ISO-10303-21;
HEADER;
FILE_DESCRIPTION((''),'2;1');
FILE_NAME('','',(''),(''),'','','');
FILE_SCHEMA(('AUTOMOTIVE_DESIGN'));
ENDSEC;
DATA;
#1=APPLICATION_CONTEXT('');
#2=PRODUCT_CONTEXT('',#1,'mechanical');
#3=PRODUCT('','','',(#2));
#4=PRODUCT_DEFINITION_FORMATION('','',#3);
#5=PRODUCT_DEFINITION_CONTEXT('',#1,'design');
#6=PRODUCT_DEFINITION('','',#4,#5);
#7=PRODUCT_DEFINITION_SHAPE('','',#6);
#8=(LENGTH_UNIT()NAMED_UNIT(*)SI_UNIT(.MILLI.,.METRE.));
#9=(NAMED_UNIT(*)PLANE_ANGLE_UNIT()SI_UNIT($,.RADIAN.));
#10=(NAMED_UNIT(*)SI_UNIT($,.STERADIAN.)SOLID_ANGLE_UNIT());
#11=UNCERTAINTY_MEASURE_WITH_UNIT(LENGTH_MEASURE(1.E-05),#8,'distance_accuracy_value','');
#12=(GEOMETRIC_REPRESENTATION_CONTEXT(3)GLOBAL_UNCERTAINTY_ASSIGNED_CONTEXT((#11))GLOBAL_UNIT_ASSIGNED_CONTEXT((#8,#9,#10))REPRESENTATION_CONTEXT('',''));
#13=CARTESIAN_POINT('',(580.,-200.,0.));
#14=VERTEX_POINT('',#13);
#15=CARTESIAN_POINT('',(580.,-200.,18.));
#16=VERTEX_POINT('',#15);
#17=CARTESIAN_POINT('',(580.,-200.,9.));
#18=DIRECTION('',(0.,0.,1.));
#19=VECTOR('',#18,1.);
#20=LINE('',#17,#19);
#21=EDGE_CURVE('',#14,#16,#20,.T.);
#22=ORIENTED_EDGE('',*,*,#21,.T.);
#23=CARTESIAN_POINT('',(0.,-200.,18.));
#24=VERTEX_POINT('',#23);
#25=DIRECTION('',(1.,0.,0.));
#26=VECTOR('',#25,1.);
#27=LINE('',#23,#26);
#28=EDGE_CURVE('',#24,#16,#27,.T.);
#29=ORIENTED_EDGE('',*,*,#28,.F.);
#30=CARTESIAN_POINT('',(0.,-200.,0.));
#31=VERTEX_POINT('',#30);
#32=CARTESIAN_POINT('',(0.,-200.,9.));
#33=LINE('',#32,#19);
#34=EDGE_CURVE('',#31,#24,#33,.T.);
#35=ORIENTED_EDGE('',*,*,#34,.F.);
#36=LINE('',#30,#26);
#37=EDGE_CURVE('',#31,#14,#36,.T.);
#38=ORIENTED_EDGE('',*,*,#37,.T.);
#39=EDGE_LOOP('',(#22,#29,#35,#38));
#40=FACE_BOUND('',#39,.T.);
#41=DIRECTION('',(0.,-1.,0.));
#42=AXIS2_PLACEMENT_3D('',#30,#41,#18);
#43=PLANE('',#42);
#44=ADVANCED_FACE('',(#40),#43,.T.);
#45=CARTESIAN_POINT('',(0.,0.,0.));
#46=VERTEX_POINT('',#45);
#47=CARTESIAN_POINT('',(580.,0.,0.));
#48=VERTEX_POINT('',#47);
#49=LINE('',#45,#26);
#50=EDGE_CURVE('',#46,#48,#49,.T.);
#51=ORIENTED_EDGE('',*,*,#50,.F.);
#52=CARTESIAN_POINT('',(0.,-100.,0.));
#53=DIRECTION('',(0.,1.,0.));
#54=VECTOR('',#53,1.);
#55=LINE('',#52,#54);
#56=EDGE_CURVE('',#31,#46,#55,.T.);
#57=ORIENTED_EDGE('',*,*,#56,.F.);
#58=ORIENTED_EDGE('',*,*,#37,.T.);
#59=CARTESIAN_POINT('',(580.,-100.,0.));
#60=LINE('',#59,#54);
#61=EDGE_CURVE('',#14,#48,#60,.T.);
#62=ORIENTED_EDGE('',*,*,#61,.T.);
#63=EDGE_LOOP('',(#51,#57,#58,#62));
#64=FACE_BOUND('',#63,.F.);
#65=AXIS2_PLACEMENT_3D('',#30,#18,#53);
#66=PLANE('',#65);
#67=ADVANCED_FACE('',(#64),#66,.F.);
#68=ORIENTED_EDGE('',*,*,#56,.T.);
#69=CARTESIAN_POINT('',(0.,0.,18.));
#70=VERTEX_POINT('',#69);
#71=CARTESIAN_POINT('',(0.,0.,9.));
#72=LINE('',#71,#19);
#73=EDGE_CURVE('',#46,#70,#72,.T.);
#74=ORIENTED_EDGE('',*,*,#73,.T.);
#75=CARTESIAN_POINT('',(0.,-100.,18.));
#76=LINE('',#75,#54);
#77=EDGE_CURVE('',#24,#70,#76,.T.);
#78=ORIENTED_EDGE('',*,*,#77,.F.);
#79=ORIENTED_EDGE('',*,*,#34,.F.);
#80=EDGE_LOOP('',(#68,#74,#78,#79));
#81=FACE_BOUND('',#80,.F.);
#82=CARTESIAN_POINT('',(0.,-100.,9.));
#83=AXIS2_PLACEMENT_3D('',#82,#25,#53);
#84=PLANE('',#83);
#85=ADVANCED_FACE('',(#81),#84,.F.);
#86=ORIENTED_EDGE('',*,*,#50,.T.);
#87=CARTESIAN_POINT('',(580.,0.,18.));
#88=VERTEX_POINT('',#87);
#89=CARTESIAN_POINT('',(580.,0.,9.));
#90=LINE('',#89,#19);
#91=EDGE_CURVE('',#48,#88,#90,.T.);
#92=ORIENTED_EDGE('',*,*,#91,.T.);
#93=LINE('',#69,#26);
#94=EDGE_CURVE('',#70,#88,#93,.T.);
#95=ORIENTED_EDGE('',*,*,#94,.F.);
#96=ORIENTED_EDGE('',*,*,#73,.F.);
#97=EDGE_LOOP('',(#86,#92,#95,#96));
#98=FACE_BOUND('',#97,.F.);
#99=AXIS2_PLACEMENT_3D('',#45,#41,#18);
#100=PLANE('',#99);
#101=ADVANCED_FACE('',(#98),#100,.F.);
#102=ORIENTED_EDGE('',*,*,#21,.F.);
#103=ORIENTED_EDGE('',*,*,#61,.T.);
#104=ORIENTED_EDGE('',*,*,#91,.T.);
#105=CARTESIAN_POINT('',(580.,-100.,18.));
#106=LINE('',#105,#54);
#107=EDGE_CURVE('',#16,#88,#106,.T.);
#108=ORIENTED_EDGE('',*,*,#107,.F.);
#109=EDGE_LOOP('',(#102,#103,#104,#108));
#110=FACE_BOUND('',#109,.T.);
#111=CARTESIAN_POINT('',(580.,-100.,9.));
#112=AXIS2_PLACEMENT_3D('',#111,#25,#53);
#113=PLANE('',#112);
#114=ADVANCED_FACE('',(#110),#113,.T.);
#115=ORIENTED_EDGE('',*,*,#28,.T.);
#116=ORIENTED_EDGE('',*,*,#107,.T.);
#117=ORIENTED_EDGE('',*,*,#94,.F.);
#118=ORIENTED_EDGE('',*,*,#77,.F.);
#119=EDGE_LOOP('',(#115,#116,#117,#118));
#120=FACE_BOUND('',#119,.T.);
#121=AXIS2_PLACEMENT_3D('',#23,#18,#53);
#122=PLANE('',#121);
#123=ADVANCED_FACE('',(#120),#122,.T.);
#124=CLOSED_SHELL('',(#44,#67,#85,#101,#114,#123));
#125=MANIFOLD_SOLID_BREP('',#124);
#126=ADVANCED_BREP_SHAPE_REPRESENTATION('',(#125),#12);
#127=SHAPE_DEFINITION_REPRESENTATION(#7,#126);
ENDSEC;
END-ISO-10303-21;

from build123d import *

# Parameters (mm, degrees)
SKETCH_W  = 200
SKETCH_H  = 18
PAD_DEPTH = 580


with BuildPart() as part:
    # Sketch → Pad (new body)
    with BuildSketch(Plane.YZ):
        with Locations((-100, 9)):
            Rectangle(SKETCH_W, SKETCH_H)
    extrude(amount=PAD_DEPTH)


solid = part.part
